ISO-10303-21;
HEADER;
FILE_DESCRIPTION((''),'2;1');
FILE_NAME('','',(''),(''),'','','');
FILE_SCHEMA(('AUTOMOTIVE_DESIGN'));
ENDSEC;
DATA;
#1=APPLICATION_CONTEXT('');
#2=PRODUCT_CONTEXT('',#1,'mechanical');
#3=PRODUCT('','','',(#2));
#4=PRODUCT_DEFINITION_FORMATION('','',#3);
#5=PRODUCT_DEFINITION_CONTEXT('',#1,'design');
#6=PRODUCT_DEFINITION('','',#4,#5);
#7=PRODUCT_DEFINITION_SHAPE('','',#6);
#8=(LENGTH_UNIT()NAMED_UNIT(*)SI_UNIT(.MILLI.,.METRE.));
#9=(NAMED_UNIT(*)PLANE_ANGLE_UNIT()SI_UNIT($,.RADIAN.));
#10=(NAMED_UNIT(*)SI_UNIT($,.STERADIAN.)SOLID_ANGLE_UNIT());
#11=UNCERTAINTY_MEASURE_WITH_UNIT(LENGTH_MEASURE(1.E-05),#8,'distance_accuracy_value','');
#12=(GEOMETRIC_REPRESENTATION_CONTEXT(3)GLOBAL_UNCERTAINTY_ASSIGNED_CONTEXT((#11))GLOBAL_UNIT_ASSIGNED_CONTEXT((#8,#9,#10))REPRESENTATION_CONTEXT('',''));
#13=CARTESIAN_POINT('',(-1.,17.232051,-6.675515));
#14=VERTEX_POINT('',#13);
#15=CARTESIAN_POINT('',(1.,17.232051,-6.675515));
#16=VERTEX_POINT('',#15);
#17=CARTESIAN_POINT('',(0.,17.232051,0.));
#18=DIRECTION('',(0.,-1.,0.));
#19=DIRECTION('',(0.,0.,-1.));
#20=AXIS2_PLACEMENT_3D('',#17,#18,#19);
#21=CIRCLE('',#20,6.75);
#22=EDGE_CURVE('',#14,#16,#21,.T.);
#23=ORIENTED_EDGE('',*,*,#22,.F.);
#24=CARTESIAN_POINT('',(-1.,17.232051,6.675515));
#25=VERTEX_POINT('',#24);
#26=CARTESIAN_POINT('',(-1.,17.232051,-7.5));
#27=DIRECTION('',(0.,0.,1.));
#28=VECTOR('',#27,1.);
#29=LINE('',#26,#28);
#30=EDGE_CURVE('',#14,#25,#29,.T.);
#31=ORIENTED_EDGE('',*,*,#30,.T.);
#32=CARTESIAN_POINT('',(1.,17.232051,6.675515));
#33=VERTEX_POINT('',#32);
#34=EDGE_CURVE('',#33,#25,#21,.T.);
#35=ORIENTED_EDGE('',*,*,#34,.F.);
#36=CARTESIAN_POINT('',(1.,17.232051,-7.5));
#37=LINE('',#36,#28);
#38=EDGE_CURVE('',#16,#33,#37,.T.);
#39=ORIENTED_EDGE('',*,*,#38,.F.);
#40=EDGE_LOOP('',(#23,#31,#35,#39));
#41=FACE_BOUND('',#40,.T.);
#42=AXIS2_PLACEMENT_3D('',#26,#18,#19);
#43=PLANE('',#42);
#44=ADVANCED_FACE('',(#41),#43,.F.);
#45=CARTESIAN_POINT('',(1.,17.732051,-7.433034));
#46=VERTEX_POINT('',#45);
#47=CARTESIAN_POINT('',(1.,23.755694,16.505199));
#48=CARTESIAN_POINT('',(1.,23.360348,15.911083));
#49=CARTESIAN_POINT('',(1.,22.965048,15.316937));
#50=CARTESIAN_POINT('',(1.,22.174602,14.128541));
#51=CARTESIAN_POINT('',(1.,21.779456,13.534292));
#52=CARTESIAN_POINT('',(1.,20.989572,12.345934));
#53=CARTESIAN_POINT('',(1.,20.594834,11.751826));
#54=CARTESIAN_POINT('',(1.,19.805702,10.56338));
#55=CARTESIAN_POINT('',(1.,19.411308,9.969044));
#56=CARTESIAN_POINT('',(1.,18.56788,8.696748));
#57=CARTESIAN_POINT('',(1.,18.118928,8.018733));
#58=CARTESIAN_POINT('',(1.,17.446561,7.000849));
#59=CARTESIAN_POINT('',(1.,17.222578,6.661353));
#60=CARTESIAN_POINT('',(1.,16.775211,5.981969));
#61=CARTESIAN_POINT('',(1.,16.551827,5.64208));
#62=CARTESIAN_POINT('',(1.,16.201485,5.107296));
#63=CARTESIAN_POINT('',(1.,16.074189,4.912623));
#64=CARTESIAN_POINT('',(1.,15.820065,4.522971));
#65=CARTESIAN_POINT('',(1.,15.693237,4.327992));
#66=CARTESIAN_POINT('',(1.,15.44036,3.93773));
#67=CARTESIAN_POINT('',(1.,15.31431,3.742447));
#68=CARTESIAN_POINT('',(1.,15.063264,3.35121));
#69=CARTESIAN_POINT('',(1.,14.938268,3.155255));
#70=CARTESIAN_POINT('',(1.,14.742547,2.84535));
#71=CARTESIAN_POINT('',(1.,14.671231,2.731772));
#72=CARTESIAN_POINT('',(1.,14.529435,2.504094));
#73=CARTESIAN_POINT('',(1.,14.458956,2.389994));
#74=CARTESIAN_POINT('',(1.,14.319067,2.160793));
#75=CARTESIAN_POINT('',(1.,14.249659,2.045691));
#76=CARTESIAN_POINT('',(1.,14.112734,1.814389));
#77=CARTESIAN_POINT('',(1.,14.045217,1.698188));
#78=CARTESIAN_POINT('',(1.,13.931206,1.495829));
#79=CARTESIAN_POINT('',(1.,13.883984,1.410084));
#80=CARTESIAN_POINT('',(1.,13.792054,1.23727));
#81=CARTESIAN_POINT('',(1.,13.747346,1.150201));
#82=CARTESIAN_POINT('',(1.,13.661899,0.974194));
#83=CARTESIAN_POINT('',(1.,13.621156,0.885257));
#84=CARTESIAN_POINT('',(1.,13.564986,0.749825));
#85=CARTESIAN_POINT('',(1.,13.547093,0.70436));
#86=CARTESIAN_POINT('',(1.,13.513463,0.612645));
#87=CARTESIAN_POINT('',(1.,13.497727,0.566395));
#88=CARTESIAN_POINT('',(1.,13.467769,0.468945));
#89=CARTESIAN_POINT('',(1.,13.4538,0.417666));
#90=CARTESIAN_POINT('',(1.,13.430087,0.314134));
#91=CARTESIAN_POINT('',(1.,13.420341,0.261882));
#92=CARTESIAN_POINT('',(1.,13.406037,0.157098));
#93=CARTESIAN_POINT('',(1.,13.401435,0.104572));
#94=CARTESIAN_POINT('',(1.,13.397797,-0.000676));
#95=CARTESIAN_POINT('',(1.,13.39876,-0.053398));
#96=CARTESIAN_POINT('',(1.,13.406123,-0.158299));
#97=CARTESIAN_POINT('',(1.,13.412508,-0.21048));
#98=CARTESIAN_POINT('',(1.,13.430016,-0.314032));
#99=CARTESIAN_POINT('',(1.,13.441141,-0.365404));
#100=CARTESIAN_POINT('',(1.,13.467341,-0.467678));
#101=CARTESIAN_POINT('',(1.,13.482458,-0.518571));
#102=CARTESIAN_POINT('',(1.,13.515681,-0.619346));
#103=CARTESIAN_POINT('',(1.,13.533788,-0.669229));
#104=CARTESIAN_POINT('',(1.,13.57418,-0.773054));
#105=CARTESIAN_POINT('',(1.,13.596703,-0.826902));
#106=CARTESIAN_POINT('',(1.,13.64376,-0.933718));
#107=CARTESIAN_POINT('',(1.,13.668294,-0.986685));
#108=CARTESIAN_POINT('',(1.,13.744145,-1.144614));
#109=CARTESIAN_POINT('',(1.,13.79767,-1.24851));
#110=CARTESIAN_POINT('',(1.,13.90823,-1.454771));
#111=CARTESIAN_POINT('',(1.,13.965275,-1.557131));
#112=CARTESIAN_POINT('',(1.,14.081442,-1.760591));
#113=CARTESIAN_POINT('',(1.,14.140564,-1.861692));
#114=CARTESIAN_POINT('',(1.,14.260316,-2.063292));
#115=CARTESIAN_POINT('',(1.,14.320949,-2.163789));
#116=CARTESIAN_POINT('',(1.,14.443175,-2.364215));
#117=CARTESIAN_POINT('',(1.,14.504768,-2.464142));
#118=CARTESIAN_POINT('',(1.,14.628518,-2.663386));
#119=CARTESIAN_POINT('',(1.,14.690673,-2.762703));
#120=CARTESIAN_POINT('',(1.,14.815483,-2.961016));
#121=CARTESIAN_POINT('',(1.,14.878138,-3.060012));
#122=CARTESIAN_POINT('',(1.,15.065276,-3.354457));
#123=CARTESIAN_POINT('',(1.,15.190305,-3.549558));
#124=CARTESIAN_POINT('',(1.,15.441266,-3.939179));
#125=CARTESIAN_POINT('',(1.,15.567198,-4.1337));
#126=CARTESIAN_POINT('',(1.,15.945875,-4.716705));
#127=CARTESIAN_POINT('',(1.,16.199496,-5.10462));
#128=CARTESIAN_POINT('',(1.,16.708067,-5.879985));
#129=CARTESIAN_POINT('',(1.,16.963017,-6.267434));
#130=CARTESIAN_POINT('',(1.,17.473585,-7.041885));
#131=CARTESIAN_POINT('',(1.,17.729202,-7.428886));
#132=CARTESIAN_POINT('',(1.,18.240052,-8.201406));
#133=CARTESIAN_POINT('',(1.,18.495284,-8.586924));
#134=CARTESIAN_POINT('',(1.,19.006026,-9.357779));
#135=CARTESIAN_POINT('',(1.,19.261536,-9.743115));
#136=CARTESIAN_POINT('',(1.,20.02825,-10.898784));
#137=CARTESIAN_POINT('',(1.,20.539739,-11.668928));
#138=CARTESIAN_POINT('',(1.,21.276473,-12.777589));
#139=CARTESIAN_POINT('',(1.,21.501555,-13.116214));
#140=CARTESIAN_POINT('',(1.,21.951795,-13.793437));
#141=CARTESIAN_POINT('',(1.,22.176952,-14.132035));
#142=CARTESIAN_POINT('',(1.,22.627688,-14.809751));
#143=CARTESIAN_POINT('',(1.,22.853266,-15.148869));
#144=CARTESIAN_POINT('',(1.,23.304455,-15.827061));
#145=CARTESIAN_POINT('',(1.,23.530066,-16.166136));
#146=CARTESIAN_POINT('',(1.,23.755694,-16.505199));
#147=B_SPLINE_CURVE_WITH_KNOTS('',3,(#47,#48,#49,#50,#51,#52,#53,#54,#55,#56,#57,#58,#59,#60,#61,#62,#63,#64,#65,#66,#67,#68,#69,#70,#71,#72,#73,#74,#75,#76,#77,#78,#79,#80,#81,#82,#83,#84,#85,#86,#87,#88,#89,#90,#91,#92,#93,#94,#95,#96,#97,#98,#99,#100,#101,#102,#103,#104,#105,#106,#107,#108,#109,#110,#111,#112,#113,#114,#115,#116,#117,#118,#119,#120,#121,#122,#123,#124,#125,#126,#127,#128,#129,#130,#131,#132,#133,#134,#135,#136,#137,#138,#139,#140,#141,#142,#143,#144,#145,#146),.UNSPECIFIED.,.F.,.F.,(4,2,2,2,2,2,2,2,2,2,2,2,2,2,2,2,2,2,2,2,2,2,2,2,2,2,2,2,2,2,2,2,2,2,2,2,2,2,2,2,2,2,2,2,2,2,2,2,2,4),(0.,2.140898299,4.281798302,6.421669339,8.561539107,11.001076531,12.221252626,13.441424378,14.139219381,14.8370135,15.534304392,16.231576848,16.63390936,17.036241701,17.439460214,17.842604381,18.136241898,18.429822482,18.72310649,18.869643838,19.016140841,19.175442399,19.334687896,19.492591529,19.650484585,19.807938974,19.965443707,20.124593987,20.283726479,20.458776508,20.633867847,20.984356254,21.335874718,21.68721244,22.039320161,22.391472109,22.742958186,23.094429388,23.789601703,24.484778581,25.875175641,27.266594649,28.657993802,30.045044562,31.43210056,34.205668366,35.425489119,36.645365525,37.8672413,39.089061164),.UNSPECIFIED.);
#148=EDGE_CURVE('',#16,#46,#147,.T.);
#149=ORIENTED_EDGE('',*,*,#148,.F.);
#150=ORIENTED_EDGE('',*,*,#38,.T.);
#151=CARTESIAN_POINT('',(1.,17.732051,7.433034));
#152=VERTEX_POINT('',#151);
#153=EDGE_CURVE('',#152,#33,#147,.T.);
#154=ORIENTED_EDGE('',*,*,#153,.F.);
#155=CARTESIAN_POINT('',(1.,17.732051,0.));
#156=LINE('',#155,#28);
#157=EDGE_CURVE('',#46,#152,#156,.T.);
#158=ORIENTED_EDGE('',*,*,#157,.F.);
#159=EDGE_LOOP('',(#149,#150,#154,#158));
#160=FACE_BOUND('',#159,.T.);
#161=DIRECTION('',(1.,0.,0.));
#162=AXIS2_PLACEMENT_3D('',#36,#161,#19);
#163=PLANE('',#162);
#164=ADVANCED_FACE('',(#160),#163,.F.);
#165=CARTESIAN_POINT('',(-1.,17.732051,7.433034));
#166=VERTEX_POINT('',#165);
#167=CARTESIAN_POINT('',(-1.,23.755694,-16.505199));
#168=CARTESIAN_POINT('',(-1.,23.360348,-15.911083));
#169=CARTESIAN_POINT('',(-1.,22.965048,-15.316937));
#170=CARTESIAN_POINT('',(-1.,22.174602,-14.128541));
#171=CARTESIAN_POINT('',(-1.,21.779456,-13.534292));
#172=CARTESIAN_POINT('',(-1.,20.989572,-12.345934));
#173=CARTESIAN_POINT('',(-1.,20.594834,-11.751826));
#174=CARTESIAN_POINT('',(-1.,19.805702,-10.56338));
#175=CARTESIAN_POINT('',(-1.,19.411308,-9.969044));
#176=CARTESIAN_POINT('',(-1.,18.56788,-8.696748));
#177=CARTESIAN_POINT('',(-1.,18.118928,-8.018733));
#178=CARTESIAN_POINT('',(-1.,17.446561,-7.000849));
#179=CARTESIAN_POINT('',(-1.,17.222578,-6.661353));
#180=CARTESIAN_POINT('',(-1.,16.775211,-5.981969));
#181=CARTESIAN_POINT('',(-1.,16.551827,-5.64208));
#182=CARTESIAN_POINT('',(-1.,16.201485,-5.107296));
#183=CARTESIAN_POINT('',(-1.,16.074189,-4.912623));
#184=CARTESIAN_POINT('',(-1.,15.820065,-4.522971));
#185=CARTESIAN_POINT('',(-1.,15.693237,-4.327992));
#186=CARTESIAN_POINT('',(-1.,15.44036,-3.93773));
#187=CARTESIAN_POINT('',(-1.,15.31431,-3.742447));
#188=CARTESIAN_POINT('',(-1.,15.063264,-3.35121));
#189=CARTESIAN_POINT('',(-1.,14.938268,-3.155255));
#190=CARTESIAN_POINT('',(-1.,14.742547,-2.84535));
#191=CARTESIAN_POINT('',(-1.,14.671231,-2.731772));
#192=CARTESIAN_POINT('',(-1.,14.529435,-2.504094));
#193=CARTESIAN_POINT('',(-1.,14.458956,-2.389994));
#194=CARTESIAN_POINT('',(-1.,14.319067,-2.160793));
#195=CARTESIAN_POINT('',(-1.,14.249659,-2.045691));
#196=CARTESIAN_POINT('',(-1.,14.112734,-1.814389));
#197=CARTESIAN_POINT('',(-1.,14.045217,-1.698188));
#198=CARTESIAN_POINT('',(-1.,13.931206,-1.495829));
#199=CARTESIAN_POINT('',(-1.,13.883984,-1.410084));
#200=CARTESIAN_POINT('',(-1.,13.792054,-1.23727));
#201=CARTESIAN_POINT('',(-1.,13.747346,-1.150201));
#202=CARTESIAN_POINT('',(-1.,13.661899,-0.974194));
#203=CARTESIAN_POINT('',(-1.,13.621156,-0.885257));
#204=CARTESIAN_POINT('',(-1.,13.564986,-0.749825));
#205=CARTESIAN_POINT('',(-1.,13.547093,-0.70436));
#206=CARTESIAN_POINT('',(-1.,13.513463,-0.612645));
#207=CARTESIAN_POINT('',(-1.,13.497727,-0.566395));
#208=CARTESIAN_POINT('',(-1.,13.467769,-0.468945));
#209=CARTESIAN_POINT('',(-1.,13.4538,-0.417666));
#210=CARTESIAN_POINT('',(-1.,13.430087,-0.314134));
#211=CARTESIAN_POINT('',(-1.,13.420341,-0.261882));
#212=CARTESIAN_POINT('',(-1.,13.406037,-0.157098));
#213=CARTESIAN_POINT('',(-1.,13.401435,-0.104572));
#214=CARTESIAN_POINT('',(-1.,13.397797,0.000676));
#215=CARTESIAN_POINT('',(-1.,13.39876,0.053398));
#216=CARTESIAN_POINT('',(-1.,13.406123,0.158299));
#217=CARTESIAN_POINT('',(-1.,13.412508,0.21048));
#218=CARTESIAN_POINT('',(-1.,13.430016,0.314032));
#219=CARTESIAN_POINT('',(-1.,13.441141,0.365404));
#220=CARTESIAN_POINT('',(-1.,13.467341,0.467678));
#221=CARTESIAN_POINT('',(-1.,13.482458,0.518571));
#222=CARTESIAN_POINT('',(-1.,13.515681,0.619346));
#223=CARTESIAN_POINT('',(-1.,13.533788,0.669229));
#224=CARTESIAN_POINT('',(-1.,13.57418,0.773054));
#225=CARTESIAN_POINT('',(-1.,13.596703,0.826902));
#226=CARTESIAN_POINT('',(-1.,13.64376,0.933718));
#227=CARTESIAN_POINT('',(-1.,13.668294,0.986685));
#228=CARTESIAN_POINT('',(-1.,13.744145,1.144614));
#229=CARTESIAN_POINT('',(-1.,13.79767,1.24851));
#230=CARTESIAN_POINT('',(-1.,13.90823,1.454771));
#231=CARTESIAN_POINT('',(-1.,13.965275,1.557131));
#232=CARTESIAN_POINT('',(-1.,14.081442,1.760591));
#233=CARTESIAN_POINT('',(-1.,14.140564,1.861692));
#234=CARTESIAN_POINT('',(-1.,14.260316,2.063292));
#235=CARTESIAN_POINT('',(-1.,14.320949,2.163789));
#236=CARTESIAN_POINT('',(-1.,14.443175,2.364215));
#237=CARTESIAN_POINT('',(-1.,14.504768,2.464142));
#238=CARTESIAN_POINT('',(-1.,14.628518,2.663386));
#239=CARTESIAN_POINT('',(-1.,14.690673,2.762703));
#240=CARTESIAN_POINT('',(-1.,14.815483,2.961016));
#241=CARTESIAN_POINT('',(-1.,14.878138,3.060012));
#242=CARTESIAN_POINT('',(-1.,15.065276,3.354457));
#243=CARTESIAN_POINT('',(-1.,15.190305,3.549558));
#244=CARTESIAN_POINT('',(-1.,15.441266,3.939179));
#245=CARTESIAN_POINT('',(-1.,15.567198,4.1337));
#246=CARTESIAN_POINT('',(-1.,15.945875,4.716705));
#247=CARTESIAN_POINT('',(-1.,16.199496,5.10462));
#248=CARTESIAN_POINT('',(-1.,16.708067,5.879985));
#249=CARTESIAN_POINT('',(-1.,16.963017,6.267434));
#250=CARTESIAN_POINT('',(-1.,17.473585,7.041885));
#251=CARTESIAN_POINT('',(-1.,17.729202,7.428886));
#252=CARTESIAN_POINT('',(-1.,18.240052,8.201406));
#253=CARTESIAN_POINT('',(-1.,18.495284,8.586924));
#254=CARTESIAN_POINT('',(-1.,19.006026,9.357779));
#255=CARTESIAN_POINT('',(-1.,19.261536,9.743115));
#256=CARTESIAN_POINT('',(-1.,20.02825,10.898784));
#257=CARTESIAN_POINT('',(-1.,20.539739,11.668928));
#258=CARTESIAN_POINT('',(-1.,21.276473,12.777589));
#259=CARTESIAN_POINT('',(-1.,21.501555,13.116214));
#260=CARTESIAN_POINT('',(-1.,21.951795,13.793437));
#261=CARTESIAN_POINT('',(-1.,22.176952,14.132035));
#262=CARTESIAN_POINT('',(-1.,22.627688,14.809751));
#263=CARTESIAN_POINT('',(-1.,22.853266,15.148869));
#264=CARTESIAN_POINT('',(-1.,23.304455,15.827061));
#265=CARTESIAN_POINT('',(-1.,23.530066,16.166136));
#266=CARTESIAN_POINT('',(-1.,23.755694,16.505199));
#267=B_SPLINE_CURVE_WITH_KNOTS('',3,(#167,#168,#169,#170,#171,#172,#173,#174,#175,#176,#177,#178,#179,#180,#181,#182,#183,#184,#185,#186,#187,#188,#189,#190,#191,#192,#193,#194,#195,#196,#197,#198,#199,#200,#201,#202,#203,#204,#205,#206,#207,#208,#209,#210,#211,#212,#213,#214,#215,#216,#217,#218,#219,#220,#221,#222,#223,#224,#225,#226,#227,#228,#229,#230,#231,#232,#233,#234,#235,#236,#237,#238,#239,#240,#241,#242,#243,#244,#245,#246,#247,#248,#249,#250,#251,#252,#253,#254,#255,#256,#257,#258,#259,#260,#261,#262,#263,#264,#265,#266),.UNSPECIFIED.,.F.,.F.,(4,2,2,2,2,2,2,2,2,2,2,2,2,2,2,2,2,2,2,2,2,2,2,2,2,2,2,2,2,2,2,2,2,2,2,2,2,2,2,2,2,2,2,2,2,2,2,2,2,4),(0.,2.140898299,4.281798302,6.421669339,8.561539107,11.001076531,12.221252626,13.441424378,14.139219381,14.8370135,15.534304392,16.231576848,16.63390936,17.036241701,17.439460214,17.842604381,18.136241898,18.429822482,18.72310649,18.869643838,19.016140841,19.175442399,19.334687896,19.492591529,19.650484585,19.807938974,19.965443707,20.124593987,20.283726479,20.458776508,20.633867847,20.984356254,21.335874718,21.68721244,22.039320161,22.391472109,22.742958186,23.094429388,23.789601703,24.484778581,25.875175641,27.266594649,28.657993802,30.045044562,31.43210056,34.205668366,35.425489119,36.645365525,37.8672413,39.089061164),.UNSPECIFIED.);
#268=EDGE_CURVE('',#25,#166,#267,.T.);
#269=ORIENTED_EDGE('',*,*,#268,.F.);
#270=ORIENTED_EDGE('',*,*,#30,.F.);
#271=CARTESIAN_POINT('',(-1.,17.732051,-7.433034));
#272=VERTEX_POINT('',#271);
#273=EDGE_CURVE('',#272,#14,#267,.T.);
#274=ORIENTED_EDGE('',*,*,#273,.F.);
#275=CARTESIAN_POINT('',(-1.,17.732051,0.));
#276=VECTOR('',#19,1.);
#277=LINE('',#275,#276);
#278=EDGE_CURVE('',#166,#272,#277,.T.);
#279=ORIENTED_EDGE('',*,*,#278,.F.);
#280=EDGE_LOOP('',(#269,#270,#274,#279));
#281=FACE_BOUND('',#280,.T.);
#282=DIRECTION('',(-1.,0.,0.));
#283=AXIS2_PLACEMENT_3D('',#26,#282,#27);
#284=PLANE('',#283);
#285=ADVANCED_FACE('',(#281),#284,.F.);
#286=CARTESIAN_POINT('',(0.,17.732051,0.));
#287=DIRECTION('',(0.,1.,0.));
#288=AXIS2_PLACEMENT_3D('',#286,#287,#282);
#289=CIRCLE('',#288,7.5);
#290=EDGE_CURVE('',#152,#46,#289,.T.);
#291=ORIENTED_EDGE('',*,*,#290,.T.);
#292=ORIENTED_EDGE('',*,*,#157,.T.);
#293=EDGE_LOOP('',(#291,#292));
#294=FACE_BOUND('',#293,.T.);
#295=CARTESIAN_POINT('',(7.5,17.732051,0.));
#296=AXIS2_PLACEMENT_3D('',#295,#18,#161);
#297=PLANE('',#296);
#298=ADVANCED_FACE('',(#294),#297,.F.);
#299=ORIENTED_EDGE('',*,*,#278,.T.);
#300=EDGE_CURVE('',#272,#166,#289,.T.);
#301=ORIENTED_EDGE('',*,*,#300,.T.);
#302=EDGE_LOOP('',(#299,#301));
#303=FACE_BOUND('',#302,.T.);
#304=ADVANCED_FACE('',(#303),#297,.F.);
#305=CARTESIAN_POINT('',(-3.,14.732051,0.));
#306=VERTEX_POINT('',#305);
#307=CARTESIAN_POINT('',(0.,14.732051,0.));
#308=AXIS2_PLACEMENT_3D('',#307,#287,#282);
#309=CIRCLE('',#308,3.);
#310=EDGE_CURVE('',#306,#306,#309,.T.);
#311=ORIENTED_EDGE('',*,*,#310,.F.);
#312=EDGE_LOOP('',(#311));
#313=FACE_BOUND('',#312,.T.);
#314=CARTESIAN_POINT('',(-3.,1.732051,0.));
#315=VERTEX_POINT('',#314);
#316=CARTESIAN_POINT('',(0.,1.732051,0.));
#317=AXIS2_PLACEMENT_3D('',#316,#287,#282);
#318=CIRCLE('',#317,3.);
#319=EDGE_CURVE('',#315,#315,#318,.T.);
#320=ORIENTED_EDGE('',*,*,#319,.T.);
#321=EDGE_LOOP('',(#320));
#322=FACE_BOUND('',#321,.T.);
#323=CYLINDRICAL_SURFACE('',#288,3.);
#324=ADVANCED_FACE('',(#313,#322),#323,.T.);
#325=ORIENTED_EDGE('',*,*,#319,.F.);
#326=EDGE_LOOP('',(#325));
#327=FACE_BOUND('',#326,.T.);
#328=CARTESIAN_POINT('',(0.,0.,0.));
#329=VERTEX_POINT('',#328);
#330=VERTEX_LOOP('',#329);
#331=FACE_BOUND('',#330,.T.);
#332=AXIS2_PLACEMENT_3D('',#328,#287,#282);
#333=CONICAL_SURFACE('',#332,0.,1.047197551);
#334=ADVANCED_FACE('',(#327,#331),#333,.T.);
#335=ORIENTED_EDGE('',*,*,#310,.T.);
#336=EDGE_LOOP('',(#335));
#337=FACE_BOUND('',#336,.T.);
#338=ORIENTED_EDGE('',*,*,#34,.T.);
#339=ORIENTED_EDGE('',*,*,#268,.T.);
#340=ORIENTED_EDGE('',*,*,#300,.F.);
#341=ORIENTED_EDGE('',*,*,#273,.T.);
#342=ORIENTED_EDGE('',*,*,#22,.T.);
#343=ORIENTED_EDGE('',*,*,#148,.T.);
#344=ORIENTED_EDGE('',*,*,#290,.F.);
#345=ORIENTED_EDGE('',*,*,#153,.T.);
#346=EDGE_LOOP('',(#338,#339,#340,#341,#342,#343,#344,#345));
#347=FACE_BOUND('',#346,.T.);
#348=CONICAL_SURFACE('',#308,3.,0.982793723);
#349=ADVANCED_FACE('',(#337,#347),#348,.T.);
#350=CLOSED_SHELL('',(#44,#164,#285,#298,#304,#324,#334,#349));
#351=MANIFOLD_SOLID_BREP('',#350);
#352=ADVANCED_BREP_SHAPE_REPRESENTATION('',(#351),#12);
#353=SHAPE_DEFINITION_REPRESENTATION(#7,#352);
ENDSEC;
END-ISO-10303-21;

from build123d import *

# Parameters (mm, degrees)
SKETCH2_W               = 2
SKETCH2_H               = 1
CUT_EXTRUDE1_DEPTH      = 8.5
CUT_EXTRUDE1_DEPTH_BACK = 8.5


with BuildPart() as part:
    # Sketch1 → Revolve1 (revolve)
    with BuildSketch(Plane.XY):
        Polygon((0, 0), (3, 1.732050808), (3, 14.732050808), (7.5, 17.732050808), (0, 17.732050808), align=None)
    revolve(axis=Axis((0, 17.732050808, 0), (0, -1, 0)))

    # Sketch2 → Cut-Extrude1 (cut, two sides)
    with BuildSketch(Plane.XY) as cut_extrude1_sk:
        with Locations((0, 17.732050808)):
            Rectangle(SKETCH2_W, SKETCH2_H)
    extrude(amount=CUT_EXTRUDE1_DEPTH, mode=Mode.SUBTRACT)
    extrude(cut_extrude1_sk.sketch, amount=-CUT_EXTRUDE1_DEPTH_BACK, mode=Mode.SUBTRACT)


solid = part.part
